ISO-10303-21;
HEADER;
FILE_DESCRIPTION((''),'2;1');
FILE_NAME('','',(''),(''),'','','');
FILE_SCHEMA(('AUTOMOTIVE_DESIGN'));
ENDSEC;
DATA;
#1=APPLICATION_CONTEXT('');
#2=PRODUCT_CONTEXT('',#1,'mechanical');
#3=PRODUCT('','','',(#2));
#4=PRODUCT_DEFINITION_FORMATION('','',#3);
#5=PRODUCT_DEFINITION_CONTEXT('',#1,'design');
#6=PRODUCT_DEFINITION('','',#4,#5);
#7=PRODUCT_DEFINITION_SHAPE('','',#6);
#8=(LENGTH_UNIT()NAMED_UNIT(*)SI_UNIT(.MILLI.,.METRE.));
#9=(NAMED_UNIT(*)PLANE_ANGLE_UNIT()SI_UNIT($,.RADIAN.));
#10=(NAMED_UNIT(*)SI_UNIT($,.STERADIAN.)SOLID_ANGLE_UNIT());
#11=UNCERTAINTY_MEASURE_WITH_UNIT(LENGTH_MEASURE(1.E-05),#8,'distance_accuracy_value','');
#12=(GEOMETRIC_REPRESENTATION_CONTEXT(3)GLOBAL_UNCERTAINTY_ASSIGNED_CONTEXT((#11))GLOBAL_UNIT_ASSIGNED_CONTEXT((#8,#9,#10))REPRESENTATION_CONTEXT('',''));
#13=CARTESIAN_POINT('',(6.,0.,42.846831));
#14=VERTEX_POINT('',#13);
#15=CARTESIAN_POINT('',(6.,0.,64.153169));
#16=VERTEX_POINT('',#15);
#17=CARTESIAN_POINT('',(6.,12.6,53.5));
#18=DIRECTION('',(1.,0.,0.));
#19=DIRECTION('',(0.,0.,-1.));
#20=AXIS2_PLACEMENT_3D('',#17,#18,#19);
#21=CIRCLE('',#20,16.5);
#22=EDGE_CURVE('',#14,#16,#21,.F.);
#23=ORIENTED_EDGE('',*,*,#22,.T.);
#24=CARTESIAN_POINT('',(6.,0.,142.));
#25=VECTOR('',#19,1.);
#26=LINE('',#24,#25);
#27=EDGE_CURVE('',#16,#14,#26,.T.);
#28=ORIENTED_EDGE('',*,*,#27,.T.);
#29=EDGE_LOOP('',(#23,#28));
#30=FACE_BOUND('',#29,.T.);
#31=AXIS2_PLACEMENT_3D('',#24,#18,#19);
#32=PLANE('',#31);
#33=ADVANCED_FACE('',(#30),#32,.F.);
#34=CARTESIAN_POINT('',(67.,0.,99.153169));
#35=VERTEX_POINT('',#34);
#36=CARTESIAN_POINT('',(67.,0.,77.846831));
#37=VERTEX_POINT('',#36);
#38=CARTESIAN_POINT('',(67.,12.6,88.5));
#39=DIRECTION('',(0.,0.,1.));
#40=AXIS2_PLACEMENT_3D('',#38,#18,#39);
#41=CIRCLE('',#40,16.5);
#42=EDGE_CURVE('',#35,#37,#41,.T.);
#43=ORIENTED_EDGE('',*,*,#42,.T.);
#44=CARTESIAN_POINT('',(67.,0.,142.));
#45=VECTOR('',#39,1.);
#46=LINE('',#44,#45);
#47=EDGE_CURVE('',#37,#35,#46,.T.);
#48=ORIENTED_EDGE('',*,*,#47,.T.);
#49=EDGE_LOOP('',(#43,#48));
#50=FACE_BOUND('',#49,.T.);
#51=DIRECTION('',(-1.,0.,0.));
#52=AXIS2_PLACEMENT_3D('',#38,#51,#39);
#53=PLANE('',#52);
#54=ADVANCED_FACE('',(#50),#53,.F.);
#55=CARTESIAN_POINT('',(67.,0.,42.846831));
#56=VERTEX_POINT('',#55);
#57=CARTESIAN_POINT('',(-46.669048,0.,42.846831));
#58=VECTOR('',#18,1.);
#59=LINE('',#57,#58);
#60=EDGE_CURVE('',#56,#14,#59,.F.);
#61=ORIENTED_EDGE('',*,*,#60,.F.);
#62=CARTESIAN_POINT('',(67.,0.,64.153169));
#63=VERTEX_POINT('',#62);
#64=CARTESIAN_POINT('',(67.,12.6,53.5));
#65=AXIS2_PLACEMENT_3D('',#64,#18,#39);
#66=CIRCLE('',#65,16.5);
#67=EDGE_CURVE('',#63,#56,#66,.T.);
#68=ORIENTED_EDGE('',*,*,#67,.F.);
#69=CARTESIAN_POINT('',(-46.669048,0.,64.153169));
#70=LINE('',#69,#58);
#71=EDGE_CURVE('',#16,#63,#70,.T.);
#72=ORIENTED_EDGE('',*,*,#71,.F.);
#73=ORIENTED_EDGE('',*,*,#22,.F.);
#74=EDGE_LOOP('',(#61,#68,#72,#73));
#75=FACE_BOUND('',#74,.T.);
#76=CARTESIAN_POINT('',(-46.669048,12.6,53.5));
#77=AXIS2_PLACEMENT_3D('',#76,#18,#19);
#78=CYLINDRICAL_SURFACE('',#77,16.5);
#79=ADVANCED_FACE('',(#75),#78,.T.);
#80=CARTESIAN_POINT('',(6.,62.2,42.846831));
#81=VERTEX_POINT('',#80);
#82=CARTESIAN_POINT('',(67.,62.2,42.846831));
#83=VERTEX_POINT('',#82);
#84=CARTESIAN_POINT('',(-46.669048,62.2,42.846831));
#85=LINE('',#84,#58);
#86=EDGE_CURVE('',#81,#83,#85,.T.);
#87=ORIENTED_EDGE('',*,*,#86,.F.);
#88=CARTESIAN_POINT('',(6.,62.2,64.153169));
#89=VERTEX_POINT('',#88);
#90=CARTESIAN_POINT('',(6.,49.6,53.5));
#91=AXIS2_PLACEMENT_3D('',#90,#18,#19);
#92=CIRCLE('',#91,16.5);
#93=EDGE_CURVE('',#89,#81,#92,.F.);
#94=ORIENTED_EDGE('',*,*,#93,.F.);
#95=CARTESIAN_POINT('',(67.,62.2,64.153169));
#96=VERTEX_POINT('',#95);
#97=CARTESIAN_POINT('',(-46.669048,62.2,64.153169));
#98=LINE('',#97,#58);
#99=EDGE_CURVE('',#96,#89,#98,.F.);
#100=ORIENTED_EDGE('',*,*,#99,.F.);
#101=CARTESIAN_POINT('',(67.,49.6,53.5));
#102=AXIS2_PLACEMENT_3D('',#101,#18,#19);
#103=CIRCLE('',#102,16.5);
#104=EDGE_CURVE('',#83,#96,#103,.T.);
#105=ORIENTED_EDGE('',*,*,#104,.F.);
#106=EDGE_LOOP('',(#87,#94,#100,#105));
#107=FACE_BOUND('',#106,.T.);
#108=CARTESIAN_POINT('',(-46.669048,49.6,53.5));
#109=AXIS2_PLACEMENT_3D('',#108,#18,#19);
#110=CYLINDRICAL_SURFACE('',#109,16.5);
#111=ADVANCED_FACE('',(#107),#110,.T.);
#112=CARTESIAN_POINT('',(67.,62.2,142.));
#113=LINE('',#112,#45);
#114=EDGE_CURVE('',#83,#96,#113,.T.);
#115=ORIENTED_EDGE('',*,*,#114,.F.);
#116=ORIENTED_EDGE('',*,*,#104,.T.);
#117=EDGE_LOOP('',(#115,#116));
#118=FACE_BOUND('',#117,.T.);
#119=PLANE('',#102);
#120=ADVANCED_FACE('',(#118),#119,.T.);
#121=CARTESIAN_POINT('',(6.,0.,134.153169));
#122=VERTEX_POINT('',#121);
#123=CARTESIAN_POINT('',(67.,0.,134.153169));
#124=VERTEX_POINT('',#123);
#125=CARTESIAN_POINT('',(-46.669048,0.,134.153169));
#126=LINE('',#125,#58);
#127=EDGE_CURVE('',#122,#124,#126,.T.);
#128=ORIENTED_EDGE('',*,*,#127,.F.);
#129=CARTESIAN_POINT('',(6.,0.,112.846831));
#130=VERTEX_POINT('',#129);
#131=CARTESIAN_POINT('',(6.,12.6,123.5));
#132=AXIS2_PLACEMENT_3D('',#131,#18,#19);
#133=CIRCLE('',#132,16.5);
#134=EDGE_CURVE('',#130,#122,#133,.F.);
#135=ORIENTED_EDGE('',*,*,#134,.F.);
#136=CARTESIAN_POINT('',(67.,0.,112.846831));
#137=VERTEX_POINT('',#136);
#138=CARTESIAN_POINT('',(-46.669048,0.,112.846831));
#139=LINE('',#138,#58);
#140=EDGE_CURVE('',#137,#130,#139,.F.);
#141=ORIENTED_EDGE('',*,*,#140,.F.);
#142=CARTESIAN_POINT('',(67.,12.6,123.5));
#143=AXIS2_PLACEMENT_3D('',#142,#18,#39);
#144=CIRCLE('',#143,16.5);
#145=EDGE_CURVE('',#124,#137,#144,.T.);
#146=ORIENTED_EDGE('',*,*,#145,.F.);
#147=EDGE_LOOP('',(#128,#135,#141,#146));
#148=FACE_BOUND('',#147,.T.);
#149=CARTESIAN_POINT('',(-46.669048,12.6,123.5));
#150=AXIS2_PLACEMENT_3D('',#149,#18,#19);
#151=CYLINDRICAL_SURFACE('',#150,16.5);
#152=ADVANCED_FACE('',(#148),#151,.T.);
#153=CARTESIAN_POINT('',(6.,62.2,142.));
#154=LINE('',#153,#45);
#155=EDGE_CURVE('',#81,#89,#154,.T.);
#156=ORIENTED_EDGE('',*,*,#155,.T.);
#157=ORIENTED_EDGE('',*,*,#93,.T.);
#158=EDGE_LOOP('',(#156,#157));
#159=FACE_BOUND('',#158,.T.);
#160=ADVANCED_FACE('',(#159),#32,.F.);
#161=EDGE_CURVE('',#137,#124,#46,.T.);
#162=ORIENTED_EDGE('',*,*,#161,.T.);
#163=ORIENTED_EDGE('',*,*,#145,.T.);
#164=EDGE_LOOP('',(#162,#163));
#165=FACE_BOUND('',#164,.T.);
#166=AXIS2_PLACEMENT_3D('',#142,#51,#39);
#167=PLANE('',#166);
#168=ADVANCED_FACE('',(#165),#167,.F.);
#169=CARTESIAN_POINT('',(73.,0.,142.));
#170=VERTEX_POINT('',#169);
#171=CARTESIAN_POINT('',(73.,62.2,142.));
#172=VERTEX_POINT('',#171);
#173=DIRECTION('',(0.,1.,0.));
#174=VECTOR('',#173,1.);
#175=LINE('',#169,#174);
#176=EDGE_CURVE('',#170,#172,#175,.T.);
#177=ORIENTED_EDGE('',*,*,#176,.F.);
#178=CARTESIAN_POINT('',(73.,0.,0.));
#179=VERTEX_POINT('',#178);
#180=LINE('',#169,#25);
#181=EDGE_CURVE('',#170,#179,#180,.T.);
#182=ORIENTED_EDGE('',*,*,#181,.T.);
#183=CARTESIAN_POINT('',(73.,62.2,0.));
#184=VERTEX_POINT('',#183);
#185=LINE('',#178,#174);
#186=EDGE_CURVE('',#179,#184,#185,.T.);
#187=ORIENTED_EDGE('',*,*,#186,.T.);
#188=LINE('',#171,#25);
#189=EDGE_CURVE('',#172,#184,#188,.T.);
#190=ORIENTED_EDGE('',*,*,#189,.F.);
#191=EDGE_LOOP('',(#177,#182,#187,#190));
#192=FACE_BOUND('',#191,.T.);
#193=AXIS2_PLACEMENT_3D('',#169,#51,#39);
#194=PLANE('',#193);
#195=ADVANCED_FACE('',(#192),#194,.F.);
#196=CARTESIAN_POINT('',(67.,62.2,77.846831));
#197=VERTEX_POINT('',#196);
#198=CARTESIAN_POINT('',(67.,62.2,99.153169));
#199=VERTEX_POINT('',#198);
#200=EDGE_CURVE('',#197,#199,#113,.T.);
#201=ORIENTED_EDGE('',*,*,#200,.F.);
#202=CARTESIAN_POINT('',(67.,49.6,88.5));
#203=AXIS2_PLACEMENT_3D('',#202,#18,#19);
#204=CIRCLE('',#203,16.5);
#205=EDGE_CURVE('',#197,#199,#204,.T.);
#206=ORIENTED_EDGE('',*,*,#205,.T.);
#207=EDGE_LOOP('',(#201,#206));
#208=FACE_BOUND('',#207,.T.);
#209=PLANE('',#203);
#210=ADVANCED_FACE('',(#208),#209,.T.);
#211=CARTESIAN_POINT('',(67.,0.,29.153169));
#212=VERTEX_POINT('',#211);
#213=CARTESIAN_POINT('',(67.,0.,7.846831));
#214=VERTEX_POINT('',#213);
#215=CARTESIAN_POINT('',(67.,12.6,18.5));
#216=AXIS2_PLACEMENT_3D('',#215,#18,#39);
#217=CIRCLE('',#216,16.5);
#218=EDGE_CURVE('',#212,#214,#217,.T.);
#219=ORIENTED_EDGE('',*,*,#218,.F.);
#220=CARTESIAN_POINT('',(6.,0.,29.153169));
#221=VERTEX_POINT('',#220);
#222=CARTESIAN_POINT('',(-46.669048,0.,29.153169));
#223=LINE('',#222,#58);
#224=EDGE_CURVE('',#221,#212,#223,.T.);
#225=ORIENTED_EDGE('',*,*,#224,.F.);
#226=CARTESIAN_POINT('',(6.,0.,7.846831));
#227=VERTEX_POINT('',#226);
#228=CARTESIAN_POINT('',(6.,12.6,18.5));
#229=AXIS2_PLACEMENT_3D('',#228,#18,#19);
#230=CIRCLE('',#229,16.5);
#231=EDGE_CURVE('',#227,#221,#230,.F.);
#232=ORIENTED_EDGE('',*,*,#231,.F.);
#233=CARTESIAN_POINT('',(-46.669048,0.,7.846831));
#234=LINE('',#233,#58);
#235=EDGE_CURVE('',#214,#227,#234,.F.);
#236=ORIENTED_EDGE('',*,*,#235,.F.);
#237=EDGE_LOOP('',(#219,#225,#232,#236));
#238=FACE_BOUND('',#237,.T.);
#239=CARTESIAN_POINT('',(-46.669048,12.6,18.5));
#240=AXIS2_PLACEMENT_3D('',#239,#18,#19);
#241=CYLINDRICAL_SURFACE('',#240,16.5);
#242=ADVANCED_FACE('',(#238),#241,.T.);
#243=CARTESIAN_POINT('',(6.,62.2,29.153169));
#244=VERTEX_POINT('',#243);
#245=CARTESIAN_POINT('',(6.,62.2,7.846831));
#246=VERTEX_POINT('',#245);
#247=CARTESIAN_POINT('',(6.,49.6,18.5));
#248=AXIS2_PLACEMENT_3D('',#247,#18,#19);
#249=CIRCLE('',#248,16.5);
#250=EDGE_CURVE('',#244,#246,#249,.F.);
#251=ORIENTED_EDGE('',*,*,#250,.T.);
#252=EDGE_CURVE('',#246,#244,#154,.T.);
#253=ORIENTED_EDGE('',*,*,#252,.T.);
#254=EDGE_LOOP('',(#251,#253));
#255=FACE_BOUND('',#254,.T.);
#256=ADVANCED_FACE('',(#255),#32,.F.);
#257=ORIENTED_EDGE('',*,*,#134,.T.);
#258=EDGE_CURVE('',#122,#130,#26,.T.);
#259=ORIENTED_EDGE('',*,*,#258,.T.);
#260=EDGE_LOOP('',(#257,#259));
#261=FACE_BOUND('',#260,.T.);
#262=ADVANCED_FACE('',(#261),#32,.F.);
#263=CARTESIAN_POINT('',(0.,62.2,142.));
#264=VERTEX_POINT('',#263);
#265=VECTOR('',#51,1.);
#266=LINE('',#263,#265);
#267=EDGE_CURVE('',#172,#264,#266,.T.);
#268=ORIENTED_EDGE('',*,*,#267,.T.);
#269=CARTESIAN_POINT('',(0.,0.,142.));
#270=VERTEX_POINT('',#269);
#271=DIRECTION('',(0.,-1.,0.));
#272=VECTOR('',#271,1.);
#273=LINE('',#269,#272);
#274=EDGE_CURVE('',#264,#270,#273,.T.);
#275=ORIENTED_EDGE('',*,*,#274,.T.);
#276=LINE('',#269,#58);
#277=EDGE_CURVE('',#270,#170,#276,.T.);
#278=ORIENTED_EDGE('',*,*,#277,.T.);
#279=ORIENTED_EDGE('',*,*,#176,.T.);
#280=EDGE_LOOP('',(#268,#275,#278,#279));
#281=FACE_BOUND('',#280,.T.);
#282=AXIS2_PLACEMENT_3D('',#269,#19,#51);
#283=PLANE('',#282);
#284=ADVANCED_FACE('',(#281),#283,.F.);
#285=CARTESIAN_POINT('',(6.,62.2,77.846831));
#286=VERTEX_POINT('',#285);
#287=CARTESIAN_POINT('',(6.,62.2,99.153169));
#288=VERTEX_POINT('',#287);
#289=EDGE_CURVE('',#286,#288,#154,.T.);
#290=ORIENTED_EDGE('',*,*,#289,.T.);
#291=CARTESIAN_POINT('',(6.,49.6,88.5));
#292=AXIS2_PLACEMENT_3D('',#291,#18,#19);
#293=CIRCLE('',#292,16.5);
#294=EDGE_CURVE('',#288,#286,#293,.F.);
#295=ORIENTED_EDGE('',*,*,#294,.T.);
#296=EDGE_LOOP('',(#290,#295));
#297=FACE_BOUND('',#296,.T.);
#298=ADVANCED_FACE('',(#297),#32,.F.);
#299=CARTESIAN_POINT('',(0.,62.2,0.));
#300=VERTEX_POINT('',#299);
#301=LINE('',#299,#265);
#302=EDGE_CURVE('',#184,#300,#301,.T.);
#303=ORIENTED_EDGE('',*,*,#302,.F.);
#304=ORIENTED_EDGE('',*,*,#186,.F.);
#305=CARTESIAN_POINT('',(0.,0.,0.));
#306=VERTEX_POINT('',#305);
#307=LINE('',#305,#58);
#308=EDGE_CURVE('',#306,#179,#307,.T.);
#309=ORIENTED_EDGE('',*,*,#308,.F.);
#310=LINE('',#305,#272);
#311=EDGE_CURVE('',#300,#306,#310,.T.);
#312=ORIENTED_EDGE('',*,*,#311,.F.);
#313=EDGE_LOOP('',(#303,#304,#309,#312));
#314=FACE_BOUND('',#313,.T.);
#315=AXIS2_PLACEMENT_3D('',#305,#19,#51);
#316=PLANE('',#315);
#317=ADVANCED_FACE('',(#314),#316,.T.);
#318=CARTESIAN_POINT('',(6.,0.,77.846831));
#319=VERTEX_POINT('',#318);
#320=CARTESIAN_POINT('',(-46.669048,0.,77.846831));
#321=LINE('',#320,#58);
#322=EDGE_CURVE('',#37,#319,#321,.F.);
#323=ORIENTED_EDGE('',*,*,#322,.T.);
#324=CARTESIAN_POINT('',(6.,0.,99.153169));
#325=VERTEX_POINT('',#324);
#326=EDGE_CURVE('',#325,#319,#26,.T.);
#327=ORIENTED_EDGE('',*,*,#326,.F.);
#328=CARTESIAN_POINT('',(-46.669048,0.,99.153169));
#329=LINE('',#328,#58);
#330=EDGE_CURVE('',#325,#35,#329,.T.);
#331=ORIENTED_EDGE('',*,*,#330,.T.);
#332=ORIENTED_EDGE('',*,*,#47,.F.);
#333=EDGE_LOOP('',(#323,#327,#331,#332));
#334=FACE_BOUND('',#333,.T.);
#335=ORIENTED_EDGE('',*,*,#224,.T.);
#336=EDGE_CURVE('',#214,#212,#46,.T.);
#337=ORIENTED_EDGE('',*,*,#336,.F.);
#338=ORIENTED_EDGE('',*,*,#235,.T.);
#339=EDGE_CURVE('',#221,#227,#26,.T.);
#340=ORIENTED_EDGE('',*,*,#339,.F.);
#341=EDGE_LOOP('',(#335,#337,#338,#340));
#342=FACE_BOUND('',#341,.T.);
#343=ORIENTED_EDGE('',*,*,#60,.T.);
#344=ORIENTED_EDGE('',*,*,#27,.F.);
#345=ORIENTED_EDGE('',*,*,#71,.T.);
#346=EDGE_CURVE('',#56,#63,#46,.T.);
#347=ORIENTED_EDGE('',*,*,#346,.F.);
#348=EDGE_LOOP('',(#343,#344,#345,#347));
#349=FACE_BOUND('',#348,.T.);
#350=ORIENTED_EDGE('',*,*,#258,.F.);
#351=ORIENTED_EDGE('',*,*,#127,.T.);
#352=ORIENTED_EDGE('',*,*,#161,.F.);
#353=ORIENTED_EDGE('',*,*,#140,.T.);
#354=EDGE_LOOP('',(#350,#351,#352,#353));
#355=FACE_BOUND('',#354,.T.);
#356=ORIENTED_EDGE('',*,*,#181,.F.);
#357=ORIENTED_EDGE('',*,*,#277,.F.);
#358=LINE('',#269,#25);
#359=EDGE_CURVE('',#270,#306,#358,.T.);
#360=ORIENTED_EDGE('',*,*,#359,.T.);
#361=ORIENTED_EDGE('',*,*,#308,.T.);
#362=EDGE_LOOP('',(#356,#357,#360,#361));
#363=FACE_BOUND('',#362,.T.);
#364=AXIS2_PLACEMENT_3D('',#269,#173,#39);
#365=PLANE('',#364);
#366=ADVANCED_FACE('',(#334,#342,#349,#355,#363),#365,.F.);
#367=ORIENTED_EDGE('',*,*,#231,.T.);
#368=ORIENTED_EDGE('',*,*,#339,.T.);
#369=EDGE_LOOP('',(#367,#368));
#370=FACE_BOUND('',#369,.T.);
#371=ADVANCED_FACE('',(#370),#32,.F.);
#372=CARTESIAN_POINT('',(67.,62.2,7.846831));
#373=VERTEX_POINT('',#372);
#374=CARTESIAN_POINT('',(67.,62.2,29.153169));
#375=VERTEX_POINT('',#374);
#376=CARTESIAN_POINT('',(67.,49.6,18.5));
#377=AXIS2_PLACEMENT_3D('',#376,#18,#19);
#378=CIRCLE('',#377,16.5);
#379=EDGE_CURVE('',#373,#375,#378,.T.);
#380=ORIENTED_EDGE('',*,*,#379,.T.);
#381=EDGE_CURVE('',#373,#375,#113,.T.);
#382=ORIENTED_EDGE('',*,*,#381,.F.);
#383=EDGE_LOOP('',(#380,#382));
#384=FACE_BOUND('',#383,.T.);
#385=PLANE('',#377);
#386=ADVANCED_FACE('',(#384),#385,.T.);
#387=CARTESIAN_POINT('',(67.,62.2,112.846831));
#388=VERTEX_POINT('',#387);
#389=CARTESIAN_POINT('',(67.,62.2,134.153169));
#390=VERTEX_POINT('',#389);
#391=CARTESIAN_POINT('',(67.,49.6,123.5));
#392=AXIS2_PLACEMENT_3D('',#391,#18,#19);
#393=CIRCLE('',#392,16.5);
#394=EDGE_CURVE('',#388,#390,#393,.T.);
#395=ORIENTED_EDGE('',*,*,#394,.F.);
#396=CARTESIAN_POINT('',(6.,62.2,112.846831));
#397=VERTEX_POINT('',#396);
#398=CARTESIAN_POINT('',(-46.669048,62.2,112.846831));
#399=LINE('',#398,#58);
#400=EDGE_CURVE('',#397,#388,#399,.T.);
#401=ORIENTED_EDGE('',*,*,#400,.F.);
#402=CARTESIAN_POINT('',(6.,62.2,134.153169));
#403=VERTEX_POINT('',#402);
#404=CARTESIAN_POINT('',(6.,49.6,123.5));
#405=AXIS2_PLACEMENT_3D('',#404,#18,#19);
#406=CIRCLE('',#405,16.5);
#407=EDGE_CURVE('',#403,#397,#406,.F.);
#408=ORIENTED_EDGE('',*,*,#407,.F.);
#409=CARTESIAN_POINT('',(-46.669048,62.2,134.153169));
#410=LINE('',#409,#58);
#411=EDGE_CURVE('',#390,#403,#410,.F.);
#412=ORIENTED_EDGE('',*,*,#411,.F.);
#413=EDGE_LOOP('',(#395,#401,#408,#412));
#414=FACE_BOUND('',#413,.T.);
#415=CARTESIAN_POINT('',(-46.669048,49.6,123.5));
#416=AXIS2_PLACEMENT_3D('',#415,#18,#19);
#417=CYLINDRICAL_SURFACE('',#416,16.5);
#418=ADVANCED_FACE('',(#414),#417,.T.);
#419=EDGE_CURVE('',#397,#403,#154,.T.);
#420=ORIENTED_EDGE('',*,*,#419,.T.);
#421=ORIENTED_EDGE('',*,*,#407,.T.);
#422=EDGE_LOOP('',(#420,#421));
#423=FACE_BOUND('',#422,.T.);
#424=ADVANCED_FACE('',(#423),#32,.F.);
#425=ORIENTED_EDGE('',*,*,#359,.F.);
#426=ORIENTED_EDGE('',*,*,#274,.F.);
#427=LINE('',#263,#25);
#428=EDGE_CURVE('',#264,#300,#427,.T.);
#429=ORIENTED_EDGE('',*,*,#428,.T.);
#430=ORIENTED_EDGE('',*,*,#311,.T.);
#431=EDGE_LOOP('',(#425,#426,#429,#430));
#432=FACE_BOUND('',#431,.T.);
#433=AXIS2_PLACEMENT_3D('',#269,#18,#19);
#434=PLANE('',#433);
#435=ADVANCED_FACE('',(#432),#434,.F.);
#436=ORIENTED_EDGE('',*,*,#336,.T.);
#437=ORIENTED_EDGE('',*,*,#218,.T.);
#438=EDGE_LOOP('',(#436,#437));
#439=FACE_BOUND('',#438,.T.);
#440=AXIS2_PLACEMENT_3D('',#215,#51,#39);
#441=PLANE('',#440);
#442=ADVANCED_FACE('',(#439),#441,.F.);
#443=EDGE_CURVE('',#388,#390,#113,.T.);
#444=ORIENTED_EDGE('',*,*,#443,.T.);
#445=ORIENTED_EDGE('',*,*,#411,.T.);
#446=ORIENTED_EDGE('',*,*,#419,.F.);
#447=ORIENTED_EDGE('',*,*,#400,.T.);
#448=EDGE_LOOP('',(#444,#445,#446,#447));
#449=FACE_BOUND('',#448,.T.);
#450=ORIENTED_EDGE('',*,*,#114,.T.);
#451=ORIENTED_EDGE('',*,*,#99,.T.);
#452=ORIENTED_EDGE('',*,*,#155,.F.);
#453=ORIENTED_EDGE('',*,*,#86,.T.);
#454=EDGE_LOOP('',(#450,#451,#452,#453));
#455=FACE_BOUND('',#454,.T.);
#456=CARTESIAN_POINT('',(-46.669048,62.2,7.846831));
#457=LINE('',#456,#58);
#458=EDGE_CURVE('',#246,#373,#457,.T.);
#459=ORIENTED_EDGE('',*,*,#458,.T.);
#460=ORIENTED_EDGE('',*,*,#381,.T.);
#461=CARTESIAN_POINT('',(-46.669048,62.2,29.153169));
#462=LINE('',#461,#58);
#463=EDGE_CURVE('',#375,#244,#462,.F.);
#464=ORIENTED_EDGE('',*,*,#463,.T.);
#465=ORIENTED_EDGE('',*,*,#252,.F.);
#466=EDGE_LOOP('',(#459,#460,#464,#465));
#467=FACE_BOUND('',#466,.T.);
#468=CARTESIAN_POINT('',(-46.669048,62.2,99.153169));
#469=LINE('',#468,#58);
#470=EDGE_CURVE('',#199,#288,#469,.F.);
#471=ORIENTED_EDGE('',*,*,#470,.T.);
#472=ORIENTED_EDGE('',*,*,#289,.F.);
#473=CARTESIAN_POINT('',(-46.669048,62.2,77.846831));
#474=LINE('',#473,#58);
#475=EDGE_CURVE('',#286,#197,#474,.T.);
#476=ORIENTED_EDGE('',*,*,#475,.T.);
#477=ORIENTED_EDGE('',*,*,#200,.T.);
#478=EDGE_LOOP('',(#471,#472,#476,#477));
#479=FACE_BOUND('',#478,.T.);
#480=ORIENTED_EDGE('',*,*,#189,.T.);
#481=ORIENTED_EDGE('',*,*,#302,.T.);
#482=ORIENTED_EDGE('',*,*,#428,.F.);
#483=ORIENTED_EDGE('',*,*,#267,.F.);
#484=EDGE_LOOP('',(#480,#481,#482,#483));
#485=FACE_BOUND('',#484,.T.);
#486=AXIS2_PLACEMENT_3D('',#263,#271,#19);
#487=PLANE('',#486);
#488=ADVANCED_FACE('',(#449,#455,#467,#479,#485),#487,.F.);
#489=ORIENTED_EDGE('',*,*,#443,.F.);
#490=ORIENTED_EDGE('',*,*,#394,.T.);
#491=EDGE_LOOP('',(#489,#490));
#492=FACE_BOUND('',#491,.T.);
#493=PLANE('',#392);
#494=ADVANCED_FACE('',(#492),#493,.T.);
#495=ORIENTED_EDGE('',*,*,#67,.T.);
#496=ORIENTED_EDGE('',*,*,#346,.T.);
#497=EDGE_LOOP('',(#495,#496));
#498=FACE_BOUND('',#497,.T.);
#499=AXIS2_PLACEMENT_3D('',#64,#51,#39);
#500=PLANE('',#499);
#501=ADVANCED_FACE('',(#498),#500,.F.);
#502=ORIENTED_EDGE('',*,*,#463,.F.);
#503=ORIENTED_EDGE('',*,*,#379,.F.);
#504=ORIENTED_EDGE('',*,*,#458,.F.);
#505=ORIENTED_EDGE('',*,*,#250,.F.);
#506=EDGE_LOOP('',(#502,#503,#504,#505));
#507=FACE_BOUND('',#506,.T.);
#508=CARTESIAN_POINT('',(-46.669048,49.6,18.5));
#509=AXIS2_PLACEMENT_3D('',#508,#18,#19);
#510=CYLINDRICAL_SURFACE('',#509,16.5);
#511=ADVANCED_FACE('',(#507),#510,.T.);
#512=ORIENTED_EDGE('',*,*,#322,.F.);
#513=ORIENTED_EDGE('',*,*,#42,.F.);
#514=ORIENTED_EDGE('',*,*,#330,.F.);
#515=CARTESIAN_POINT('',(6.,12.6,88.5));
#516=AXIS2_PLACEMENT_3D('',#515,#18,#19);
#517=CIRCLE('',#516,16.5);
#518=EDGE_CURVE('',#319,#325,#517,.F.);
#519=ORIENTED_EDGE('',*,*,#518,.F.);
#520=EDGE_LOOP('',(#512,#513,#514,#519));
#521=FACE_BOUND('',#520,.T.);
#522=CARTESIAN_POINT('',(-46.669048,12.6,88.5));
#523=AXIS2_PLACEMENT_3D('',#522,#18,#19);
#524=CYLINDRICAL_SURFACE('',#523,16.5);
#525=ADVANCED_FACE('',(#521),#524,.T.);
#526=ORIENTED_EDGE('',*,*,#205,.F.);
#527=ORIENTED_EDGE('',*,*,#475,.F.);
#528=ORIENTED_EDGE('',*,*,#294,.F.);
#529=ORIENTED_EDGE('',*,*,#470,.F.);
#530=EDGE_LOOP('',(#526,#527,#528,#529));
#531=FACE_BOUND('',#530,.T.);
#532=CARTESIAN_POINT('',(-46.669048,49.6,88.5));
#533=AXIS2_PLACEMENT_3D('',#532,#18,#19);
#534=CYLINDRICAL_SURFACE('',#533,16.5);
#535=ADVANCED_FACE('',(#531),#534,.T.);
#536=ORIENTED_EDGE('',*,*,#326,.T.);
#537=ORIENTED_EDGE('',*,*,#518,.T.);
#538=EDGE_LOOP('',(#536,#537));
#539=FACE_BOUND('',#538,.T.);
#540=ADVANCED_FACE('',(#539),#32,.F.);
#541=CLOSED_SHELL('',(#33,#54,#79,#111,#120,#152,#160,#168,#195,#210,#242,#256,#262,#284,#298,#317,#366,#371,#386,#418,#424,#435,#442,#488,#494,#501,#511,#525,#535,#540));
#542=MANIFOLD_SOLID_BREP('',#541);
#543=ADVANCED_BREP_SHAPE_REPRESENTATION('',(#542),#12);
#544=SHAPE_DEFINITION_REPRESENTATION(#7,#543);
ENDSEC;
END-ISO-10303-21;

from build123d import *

# Parameters (mm, degrees)
ESQUISSE1_W        = 73
ESQUISSE1_H        = 62.2
BOSS_EXTRU_1_DEPTH = 142
BOSS_EXTRU_2_START = -6
ESQUISSE2_R        = 16.5
BOSS_EXTRU_2_DEPTH = 61


with BuildPart() as part:
    # Esquisse1 → Boss.-Extru.1 (new body)
    with BuildSketch(Plane.XY):
        with Locations((36.5, 31.1)):
            Rectangle(ESQUISSE1_W, ESQUISSE1_H)
    extrude(amount=BOSS_EXTRU_1_DEPTH)

    # Esquisse2 → Boss.-Extru.2 (add)
    with BuildSketch(Plane(origin=(73, 0, 0), x_dir=(0, 0, -1), z_dir=(1, 0, 0)).offset(BOSS_EXTRU_2_START)):
        with Locations((-123.5, 49.6)):
            Circle(ESQUISSE2_R)
        with Locations((-88.5, 49.6)):
            Circle(ESQUISSE2_R)
        with Locations((-53.5, 49.6)):
            Circle(ESQUISSE2_R)
        with Locations((-18.5, 49.6)):
            Circle(ESQUISSE2_R)
        with Locations((-123.5, 12.6)):
            Circle(ESQUISSE2_R)
        with Locations((-88.5, 12.6)):
            Circle(ESQUISSE2_R)
        with Locations((-53.5, 12.6)):
            Circle(ESQUISSE2_R)
        with Locations((-18.5, 12.6)):
            Circle(ESQUISSE2_R)
    extrude(amount=-BOSS_EXTRU_2_DEPTH)


solid = part.part
